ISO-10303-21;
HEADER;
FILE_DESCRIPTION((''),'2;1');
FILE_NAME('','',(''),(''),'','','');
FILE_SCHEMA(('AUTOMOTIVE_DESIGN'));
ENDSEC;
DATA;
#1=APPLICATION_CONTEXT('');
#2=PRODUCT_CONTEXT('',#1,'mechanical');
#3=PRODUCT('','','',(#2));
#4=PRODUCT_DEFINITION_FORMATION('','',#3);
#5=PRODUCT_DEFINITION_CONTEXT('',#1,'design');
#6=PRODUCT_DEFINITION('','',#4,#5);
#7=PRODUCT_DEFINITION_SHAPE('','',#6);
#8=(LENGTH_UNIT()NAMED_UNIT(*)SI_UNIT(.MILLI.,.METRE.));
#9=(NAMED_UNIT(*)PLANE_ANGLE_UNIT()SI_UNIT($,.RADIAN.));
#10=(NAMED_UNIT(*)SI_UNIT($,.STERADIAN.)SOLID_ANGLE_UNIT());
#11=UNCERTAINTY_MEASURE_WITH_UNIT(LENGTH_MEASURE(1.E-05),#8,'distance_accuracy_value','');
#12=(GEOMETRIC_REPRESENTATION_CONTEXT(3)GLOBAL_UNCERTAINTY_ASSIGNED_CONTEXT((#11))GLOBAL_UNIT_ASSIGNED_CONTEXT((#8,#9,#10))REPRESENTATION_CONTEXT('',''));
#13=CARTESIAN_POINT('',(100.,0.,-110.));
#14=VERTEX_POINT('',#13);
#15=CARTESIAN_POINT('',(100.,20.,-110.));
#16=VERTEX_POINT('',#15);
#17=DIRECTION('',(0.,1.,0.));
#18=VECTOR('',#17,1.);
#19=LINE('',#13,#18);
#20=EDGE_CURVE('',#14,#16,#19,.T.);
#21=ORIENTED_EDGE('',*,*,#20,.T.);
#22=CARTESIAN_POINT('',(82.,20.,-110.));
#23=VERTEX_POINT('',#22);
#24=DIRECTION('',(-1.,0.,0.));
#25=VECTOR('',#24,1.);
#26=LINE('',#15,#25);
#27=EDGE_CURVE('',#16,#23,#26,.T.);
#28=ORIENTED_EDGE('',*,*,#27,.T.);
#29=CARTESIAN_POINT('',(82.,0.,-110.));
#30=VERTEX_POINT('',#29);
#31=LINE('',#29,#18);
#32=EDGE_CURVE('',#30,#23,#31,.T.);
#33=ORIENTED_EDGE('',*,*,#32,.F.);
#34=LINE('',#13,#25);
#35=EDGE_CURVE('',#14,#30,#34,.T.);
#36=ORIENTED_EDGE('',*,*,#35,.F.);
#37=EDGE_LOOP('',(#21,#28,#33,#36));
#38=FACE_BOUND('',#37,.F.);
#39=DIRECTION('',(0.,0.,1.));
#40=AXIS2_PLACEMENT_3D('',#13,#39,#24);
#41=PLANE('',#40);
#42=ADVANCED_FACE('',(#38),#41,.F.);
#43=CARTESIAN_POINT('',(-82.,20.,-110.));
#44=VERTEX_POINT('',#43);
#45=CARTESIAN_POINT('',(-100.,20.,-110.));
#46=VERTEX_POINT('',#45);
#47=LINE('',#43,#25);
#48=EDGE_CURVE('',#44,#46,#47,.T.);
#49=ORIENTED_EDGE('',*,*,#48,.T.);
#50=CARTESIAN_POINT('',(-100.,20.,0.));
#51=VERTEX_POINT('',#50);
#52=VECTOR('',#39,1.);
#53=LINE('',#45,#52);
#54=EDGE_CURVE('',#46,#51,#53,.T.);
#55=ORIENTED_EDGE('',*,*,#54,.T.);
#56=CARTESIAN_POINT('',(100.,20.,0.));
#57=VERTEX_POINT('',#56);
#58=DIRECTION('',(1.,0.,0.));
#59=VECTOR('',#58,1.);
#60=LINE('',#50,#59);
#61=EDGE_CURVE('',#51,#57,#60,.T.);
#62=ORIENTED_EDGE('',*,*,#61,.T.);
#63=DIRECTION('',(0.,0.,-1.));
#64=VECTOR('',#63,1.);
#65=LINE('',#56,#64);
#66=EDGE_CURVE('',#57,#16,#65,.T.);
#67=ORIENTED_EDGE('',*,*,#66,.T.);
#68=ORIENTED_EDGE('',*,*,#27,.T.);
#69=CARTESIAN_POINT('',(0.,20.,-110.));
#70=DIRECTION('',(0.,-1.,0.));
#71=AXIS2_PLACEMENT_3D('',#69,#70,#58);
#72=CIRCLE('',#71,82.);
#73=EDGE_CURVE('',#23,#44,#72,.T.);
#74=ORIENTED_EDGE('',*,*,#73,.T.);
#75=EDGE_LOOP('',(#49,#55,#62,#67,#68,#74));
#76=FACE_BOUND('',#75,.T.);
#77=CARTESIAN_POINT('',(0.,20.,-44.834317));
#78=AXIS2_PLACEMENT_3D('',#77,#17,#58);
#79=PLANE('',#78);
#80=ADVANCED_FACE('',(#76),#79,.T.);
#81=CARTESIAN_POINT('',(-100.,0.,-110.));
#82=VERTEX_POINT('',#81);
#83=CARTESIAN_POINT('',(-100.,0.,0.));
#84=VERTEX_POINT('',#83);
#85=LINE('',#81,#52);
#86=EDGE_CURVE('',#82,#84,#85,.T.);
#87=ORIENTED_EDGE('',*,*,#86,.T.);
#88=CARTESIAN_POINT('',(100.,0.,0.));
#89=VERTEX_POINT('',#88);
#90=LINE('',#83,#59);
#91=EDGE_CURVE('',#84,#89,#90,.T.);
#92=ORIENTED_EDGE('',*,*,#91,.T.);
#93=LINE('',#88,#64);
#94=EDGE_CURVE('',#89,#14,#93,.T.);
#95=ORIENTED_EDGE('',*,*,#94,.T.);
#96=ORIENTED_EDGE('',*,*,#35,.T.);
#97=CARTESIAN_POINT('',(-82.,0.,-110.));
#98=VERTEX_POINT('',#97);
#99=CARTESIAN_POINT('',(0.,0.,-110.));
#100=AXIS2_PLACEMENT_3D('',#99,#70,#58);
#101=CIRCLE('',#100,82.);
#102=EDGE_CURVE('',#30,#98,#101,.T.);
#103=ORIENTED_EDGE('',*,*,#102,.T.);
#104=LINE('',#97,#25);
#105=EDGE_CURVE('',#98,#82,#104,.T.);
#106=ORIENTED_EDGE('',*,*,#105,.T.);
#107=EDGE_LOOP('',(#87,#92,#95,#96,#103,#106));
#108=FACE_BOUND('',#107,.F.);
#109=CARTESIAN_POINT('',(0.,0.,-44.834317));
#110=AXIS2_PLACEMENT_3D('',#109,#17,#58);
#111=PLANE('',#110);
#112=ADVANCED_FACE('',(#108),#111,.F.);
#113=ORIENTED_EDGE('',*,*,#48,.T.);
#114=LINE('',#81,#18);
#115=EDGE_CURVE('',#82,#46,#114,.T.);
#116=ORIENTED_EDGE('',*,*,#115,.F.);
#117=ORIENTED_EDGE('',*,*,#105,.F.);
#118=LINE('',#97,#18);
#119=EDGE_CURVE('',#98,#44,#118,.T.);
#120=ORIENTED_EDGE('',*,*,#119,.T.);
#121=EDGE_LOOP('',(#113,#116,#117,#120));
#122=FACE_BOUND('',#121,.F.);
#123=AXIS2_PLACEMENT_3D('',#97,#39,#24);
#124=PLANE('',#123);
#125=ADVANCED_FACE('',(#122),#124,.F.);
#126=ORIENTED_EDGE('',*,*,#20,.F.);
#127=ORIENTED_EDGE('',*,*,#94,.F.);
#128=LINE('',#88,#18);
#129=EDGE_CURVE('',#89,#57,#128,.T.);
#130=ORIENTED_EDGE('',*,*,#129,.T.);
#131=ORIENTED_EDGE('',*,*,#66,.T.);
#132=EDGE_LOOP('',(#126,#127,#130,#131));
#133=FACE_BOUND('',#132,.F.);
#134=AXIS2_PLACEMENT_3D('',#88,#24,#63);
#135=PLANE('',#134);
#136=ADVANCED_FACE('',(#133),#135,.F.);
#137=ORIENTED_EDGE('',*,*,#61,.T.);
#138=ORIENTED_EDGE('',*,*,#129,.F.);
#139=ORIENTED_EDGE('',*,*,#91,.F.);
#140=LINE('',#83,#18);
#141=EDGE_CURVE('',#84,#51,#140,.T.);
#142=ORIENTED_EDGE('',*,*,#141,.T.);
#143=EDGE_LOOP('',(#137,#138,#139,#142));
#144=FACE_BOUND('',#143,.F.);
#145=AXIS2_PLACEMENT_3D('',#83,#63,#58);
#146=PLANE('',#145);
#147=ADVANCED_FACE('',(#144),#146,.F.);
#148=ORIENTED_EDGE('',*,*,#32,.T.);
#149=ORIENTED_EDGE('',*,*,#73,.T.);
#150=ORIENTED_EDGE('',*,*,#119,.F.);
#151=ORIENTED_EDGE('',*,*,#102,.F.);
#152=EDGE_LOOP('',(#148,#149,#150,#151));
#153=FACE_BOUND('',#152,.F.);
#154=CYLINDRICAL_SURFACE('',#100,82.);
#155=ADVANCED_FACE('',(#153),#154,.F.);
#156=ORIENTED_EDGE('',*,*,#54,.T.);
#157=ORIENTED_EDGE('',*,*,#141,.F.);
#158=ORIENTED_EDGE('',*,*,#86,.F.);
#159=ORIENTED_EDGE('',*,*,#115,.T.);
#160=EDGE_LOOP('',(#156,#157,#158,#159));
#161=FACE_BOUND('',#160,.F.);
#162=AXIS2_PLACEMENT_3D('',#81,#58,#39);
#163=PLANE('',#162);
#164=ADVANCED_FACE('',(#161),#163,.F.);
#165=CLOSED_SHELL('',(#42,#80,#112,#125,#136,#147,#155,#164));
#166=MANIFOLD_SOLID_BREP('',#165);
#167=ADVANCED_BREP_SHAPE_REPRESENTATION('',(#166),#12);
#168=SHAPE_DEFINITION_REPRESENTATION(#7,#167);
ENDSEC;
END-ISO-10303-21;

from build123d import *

# Parameters (mm, degrees)
EXTRUDE_1_DEPTH = 20


with BuildPart() as part:
    # Эскиз1 → Бобышка-Вытянуть1 (new body)
    with BuildSketch(Plane(origin=(0, 0, 0), x_dir=(1, 0, 0), z_dir=(0, 1, 0))):
        with BuildLine():
            Line((-100, 0), (100, 0))
            Line((100, 0), (100, 110))
            Line((100, 110), (82, 110))
            ThreePointArc((82, 110), (0, 28), (-82, 110))
            Line((-82, 110), (-100, 110))
            Line((-100, 110), (-100, 0))
        make_face()
    extrude(amount=EXTRUDE_1_DEPTH)


solid = part.part
